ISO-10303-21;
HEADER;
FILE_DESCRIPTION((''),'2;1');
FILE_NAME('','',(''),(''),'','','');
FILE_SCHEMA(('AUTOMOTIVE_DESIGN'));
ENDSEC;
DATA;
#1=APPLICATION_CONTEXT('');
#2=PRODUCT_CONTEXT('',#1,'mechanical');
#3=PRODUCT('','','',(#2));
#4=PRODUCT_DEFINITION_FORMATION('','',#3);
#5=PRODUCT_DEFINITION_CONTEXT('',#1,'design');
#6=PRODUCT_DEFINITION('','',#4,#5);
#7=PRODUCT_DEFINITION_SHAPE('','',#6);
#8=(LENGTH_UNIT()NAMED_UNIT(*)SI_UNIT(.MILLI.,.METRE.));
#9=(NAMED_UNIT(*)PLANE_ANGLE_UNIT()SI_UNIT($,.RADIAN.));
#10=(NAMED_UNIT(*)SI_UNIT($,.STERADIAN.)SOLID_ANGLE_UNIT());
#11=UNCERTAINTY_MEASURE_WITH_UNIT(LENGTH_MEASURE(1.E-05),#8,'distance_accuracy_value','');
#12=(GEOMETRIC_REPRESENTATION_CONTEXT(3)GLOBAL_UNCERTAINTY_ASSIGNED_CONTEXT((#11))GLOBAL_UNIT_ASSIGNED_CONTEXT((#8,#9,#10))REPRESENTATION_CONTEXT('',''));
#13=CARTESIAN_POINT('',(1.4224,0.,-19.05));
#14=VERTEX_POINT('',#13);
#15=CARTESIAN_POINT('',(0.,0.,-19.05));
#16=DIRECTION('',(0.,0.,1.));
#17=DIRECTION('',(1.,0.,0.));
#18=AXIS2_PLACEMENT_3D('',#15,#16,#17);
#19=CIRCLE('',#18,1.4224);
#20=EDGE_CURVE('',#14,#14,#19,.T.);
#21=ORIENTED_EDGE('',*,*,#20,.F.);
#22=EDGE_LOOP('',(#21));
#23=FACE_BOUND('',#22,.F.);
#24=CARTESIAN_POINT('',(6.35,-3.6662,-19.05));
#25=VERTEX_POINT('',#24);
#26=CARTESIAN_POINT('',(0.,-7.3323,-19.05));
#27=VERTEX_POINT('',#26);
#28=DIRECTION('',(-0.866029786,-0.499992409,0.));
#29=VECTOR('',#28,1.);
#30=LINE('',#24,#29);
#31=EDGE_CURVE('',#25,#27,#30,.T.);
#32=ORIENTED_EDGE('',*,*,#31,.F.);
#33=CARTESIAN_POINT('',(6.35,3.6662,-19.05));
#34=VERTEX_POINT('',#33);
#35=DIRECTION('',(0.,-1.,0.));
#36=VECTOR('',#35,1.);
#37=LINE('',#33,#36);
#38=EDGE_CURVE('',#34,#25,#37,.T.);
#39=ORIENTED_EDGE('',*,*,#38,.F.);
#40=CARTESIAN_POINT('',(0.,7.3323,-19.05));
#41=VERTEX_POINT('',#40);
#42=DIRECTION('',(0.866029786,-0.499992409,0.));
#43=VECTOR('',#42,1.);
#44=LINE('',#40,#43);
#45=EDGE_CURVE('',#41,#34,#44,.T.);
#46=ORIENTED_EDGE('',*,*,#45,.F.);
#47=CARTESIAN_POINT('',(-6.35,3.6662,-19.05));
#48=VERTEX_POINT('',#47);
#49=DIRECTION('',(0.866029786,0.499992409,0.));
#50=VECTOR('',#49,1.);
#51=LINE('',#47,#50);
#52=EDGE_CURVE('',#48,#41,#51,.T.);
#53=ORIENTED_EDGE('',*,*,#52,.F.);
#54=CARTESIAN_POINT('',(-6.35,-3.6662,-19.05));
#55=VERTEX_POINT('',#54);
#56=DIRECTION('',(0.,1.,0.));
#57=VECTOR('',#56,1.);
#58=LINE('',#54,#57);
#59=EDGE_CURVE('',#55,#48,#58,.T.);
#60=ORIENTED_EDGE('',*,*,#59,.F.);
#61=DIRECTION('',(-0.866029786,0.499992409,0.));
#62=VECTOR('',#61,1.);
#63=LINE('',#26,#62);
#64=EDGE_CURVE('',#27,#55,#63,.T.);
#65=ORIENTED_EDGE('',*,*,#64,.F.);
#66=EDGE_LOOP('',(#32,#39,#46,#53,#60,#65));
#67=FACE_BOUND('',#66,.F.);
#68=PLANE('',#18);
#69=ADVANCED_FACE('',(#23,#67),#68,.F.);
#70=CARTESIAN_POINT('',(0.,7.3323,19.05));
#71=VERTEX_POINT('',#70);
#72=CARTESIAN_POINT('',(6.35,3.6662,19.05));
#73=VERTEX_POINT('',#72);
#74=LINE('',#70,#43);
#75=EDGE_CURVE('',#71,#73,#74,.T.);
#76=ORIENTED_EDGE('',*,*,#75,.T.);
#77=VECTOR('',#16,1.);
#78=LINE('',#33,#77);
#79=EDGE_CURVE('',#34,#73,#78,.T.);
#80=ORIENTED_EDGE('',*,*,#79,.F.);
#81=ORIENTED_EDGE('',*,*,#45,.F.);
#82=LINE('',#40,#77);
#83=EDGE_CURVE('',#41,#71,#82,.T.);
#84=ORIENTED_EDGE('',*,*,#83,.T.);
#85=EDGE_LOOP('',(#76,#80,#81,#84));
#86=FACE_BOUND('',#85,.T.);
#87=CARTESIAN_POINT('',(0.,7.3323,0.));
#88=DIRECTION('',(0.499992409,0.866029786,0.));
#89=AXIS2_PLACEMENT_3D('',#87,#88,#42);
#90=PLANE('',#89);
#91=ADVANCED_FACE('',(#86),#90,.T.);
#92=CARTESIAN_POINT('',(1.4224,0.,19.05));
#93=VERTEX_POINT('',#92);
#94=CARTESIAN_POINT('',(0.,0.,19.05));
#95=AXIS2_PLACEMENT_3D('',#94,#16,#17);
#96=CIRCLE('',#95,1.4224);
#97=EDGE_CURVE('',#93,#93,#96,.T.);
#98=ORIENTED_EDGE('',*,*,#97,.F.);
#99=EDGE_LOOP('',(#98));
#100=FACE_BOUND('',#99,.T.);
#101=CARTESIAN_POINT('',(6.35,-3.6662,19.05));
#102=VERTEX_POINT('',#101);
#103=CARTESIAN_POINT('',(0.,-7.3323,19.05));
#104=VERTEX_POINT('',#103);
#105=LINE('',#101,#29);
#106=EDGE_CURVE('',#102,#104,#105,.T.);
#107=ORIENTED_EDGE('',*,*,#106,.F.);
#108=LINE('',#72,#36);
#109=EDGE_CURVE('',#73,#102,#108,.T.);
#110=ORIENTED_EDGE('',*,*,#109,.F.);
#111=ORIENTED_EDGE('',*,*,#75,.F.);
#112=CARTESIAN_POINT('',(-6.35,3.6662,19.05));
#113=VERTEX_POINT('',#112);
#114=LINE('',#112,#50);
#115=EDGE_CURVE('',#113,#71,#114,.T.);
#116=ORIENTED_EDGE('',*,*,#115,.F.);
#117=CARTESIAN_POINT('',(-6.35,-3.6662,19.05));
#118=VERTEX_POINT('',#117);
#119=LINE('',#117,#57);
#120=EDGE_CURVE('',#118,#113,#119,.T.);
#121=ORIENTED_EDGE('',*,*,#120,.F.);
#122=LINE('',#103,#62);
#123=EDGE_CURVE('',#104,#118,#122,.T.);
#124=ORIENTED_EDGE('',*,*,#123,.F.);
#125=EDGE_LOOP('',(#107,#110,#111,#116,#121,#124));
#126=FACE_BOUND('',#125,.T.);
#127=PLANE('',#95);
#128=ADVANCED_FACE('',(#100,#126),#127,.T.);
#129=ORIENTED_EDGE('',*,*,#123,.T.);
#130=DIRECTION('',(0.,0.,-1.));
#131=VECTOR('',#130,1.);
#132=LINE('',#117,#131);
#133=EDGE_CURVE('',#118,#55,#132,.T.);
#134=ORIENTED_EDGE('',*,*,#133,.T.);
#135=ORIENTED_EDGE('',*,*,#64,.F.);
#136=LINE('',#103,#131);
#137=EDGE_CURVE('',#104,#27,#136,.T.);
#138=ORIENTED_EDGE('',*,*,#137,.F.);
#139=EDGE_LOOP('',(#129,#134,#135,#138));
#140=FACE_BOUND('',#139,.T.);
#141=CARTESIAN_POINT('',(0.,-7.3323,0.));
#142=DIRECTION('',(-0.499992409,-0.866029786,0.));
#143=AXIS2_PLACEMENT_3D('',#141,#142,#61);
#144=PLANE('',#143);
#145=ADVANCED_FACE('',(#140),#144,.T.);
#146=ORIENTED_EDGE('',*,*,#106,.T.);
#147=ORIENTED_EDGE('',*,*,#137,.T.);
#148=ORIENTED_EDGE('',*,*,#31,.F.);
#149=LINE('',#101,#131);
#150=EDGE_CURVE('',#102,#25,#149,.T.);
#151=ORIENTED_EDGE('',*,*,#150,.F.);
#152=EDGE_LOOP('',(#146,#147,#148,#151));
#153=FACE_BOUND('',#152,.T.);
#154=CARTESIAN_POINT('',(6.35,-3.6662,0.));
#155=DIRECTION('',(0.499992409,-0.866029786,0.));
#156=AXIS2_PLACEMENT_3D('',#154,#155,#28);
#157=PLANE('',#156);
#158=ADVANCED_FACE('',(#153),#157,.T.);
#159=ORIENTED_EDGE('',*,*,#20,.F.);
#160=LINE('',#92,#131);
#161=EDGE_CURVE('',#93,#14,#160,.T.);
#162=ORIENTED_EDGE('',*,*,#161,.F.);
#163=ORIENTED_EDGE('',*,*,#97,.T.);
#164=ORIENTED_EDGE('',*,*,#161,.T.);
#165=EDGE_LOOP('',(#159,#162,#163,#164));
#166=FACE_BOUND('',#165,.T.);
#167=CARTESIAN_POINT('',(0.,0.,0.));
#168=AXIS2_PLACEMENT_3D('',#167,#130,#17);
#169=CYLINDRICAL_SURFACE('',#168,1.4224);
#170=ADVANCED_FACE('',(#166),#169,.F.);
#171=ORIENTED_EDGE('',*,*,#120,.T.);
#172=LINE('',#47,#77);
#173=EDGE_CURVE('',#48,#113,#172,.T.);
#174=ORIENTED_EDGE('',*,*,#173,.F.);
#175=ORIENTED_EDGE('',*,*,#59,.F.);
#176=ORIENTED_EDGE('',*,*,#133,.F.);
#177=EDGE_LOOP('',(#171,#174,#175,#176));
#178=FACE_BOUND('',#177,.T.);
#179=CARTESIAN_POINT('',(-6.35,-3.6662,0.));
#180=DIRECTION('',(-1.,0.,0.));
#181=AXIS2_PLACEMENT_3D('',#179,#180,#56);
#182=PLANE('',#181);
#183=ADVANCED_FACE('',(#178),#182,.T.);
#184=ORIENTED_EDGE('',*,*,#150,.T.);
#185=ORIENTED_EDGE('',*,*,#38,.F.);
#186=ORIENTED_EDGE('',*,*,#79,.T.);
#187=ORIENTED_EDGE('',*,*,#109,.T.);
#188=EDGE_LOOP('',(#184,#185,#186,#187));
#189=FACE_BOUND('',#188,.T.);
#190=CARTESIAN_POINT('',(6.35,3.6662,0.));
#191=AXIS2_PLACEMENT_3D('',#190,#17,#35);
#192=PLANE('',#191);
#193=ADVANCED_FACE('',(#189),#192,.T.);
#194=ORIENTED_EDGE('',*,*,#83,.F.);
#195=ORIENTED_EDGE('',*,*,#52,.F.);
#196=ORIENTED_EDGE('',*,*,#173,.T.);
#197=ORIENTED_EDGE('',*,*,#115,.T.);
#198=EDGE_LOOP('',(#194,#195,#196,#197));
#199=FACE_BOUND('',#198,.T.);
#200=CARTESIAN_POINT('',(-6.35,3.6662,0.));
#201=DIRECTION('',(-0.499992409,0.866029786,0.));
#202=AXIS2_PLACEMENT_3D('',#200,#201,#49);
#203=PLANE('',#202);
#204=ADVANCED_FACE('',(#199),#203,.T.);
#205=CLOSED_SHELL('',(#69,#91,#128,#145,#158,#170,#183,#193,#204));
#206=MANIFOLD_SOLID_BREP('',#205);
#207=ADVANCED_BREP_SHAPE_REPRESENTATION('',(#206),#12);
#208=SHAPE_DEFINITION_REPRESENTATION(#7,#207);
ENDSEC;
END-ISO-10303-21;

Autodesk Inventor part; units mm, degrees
ref_plane "YZ Plane" through (0, 0, 0) normal (1, 0, 0) x (0, 1, 0)
ref_plane "XZ Plane" through (0, 0, 0) normal (0, 1, 0) x (-1, 0, 0)
ref_plane "XY Plane" through (0, 0, 0) normal (0, 0, 1) x (1, 0, 0)
sketch "Sketch1" plane through (0, 0, 0) normal (0, 0, 1) x (1, 0, 0)
  line L0 (6.35, 3.6662) -> (6.35, -3.6662)
  line L1 (6.35, -3.6662) -> (0, -7.3323)
  line L2 (0, -7.3323) -> (-6.35, -3.6662)
  line L3 (-6.35, -3.6662) -> (-6.35, 3.6662)
  line L4 (-6.35, 3.6662) -> (0, 7.3323)
  line L5 (0, 7.3323) -> (6.35, 3.6662)
  circle A0 centre (0, 0) radius 1.4224
  dimension "d0" = 12.7
  dimension "d3" = 2.8448
extrude "Extrusion1" add sketch "Sketch1" along normal mid plane 38.1
properties part number "PIVOT,SHAFT,HEX,0.500in" material "Aluminum 6061"
